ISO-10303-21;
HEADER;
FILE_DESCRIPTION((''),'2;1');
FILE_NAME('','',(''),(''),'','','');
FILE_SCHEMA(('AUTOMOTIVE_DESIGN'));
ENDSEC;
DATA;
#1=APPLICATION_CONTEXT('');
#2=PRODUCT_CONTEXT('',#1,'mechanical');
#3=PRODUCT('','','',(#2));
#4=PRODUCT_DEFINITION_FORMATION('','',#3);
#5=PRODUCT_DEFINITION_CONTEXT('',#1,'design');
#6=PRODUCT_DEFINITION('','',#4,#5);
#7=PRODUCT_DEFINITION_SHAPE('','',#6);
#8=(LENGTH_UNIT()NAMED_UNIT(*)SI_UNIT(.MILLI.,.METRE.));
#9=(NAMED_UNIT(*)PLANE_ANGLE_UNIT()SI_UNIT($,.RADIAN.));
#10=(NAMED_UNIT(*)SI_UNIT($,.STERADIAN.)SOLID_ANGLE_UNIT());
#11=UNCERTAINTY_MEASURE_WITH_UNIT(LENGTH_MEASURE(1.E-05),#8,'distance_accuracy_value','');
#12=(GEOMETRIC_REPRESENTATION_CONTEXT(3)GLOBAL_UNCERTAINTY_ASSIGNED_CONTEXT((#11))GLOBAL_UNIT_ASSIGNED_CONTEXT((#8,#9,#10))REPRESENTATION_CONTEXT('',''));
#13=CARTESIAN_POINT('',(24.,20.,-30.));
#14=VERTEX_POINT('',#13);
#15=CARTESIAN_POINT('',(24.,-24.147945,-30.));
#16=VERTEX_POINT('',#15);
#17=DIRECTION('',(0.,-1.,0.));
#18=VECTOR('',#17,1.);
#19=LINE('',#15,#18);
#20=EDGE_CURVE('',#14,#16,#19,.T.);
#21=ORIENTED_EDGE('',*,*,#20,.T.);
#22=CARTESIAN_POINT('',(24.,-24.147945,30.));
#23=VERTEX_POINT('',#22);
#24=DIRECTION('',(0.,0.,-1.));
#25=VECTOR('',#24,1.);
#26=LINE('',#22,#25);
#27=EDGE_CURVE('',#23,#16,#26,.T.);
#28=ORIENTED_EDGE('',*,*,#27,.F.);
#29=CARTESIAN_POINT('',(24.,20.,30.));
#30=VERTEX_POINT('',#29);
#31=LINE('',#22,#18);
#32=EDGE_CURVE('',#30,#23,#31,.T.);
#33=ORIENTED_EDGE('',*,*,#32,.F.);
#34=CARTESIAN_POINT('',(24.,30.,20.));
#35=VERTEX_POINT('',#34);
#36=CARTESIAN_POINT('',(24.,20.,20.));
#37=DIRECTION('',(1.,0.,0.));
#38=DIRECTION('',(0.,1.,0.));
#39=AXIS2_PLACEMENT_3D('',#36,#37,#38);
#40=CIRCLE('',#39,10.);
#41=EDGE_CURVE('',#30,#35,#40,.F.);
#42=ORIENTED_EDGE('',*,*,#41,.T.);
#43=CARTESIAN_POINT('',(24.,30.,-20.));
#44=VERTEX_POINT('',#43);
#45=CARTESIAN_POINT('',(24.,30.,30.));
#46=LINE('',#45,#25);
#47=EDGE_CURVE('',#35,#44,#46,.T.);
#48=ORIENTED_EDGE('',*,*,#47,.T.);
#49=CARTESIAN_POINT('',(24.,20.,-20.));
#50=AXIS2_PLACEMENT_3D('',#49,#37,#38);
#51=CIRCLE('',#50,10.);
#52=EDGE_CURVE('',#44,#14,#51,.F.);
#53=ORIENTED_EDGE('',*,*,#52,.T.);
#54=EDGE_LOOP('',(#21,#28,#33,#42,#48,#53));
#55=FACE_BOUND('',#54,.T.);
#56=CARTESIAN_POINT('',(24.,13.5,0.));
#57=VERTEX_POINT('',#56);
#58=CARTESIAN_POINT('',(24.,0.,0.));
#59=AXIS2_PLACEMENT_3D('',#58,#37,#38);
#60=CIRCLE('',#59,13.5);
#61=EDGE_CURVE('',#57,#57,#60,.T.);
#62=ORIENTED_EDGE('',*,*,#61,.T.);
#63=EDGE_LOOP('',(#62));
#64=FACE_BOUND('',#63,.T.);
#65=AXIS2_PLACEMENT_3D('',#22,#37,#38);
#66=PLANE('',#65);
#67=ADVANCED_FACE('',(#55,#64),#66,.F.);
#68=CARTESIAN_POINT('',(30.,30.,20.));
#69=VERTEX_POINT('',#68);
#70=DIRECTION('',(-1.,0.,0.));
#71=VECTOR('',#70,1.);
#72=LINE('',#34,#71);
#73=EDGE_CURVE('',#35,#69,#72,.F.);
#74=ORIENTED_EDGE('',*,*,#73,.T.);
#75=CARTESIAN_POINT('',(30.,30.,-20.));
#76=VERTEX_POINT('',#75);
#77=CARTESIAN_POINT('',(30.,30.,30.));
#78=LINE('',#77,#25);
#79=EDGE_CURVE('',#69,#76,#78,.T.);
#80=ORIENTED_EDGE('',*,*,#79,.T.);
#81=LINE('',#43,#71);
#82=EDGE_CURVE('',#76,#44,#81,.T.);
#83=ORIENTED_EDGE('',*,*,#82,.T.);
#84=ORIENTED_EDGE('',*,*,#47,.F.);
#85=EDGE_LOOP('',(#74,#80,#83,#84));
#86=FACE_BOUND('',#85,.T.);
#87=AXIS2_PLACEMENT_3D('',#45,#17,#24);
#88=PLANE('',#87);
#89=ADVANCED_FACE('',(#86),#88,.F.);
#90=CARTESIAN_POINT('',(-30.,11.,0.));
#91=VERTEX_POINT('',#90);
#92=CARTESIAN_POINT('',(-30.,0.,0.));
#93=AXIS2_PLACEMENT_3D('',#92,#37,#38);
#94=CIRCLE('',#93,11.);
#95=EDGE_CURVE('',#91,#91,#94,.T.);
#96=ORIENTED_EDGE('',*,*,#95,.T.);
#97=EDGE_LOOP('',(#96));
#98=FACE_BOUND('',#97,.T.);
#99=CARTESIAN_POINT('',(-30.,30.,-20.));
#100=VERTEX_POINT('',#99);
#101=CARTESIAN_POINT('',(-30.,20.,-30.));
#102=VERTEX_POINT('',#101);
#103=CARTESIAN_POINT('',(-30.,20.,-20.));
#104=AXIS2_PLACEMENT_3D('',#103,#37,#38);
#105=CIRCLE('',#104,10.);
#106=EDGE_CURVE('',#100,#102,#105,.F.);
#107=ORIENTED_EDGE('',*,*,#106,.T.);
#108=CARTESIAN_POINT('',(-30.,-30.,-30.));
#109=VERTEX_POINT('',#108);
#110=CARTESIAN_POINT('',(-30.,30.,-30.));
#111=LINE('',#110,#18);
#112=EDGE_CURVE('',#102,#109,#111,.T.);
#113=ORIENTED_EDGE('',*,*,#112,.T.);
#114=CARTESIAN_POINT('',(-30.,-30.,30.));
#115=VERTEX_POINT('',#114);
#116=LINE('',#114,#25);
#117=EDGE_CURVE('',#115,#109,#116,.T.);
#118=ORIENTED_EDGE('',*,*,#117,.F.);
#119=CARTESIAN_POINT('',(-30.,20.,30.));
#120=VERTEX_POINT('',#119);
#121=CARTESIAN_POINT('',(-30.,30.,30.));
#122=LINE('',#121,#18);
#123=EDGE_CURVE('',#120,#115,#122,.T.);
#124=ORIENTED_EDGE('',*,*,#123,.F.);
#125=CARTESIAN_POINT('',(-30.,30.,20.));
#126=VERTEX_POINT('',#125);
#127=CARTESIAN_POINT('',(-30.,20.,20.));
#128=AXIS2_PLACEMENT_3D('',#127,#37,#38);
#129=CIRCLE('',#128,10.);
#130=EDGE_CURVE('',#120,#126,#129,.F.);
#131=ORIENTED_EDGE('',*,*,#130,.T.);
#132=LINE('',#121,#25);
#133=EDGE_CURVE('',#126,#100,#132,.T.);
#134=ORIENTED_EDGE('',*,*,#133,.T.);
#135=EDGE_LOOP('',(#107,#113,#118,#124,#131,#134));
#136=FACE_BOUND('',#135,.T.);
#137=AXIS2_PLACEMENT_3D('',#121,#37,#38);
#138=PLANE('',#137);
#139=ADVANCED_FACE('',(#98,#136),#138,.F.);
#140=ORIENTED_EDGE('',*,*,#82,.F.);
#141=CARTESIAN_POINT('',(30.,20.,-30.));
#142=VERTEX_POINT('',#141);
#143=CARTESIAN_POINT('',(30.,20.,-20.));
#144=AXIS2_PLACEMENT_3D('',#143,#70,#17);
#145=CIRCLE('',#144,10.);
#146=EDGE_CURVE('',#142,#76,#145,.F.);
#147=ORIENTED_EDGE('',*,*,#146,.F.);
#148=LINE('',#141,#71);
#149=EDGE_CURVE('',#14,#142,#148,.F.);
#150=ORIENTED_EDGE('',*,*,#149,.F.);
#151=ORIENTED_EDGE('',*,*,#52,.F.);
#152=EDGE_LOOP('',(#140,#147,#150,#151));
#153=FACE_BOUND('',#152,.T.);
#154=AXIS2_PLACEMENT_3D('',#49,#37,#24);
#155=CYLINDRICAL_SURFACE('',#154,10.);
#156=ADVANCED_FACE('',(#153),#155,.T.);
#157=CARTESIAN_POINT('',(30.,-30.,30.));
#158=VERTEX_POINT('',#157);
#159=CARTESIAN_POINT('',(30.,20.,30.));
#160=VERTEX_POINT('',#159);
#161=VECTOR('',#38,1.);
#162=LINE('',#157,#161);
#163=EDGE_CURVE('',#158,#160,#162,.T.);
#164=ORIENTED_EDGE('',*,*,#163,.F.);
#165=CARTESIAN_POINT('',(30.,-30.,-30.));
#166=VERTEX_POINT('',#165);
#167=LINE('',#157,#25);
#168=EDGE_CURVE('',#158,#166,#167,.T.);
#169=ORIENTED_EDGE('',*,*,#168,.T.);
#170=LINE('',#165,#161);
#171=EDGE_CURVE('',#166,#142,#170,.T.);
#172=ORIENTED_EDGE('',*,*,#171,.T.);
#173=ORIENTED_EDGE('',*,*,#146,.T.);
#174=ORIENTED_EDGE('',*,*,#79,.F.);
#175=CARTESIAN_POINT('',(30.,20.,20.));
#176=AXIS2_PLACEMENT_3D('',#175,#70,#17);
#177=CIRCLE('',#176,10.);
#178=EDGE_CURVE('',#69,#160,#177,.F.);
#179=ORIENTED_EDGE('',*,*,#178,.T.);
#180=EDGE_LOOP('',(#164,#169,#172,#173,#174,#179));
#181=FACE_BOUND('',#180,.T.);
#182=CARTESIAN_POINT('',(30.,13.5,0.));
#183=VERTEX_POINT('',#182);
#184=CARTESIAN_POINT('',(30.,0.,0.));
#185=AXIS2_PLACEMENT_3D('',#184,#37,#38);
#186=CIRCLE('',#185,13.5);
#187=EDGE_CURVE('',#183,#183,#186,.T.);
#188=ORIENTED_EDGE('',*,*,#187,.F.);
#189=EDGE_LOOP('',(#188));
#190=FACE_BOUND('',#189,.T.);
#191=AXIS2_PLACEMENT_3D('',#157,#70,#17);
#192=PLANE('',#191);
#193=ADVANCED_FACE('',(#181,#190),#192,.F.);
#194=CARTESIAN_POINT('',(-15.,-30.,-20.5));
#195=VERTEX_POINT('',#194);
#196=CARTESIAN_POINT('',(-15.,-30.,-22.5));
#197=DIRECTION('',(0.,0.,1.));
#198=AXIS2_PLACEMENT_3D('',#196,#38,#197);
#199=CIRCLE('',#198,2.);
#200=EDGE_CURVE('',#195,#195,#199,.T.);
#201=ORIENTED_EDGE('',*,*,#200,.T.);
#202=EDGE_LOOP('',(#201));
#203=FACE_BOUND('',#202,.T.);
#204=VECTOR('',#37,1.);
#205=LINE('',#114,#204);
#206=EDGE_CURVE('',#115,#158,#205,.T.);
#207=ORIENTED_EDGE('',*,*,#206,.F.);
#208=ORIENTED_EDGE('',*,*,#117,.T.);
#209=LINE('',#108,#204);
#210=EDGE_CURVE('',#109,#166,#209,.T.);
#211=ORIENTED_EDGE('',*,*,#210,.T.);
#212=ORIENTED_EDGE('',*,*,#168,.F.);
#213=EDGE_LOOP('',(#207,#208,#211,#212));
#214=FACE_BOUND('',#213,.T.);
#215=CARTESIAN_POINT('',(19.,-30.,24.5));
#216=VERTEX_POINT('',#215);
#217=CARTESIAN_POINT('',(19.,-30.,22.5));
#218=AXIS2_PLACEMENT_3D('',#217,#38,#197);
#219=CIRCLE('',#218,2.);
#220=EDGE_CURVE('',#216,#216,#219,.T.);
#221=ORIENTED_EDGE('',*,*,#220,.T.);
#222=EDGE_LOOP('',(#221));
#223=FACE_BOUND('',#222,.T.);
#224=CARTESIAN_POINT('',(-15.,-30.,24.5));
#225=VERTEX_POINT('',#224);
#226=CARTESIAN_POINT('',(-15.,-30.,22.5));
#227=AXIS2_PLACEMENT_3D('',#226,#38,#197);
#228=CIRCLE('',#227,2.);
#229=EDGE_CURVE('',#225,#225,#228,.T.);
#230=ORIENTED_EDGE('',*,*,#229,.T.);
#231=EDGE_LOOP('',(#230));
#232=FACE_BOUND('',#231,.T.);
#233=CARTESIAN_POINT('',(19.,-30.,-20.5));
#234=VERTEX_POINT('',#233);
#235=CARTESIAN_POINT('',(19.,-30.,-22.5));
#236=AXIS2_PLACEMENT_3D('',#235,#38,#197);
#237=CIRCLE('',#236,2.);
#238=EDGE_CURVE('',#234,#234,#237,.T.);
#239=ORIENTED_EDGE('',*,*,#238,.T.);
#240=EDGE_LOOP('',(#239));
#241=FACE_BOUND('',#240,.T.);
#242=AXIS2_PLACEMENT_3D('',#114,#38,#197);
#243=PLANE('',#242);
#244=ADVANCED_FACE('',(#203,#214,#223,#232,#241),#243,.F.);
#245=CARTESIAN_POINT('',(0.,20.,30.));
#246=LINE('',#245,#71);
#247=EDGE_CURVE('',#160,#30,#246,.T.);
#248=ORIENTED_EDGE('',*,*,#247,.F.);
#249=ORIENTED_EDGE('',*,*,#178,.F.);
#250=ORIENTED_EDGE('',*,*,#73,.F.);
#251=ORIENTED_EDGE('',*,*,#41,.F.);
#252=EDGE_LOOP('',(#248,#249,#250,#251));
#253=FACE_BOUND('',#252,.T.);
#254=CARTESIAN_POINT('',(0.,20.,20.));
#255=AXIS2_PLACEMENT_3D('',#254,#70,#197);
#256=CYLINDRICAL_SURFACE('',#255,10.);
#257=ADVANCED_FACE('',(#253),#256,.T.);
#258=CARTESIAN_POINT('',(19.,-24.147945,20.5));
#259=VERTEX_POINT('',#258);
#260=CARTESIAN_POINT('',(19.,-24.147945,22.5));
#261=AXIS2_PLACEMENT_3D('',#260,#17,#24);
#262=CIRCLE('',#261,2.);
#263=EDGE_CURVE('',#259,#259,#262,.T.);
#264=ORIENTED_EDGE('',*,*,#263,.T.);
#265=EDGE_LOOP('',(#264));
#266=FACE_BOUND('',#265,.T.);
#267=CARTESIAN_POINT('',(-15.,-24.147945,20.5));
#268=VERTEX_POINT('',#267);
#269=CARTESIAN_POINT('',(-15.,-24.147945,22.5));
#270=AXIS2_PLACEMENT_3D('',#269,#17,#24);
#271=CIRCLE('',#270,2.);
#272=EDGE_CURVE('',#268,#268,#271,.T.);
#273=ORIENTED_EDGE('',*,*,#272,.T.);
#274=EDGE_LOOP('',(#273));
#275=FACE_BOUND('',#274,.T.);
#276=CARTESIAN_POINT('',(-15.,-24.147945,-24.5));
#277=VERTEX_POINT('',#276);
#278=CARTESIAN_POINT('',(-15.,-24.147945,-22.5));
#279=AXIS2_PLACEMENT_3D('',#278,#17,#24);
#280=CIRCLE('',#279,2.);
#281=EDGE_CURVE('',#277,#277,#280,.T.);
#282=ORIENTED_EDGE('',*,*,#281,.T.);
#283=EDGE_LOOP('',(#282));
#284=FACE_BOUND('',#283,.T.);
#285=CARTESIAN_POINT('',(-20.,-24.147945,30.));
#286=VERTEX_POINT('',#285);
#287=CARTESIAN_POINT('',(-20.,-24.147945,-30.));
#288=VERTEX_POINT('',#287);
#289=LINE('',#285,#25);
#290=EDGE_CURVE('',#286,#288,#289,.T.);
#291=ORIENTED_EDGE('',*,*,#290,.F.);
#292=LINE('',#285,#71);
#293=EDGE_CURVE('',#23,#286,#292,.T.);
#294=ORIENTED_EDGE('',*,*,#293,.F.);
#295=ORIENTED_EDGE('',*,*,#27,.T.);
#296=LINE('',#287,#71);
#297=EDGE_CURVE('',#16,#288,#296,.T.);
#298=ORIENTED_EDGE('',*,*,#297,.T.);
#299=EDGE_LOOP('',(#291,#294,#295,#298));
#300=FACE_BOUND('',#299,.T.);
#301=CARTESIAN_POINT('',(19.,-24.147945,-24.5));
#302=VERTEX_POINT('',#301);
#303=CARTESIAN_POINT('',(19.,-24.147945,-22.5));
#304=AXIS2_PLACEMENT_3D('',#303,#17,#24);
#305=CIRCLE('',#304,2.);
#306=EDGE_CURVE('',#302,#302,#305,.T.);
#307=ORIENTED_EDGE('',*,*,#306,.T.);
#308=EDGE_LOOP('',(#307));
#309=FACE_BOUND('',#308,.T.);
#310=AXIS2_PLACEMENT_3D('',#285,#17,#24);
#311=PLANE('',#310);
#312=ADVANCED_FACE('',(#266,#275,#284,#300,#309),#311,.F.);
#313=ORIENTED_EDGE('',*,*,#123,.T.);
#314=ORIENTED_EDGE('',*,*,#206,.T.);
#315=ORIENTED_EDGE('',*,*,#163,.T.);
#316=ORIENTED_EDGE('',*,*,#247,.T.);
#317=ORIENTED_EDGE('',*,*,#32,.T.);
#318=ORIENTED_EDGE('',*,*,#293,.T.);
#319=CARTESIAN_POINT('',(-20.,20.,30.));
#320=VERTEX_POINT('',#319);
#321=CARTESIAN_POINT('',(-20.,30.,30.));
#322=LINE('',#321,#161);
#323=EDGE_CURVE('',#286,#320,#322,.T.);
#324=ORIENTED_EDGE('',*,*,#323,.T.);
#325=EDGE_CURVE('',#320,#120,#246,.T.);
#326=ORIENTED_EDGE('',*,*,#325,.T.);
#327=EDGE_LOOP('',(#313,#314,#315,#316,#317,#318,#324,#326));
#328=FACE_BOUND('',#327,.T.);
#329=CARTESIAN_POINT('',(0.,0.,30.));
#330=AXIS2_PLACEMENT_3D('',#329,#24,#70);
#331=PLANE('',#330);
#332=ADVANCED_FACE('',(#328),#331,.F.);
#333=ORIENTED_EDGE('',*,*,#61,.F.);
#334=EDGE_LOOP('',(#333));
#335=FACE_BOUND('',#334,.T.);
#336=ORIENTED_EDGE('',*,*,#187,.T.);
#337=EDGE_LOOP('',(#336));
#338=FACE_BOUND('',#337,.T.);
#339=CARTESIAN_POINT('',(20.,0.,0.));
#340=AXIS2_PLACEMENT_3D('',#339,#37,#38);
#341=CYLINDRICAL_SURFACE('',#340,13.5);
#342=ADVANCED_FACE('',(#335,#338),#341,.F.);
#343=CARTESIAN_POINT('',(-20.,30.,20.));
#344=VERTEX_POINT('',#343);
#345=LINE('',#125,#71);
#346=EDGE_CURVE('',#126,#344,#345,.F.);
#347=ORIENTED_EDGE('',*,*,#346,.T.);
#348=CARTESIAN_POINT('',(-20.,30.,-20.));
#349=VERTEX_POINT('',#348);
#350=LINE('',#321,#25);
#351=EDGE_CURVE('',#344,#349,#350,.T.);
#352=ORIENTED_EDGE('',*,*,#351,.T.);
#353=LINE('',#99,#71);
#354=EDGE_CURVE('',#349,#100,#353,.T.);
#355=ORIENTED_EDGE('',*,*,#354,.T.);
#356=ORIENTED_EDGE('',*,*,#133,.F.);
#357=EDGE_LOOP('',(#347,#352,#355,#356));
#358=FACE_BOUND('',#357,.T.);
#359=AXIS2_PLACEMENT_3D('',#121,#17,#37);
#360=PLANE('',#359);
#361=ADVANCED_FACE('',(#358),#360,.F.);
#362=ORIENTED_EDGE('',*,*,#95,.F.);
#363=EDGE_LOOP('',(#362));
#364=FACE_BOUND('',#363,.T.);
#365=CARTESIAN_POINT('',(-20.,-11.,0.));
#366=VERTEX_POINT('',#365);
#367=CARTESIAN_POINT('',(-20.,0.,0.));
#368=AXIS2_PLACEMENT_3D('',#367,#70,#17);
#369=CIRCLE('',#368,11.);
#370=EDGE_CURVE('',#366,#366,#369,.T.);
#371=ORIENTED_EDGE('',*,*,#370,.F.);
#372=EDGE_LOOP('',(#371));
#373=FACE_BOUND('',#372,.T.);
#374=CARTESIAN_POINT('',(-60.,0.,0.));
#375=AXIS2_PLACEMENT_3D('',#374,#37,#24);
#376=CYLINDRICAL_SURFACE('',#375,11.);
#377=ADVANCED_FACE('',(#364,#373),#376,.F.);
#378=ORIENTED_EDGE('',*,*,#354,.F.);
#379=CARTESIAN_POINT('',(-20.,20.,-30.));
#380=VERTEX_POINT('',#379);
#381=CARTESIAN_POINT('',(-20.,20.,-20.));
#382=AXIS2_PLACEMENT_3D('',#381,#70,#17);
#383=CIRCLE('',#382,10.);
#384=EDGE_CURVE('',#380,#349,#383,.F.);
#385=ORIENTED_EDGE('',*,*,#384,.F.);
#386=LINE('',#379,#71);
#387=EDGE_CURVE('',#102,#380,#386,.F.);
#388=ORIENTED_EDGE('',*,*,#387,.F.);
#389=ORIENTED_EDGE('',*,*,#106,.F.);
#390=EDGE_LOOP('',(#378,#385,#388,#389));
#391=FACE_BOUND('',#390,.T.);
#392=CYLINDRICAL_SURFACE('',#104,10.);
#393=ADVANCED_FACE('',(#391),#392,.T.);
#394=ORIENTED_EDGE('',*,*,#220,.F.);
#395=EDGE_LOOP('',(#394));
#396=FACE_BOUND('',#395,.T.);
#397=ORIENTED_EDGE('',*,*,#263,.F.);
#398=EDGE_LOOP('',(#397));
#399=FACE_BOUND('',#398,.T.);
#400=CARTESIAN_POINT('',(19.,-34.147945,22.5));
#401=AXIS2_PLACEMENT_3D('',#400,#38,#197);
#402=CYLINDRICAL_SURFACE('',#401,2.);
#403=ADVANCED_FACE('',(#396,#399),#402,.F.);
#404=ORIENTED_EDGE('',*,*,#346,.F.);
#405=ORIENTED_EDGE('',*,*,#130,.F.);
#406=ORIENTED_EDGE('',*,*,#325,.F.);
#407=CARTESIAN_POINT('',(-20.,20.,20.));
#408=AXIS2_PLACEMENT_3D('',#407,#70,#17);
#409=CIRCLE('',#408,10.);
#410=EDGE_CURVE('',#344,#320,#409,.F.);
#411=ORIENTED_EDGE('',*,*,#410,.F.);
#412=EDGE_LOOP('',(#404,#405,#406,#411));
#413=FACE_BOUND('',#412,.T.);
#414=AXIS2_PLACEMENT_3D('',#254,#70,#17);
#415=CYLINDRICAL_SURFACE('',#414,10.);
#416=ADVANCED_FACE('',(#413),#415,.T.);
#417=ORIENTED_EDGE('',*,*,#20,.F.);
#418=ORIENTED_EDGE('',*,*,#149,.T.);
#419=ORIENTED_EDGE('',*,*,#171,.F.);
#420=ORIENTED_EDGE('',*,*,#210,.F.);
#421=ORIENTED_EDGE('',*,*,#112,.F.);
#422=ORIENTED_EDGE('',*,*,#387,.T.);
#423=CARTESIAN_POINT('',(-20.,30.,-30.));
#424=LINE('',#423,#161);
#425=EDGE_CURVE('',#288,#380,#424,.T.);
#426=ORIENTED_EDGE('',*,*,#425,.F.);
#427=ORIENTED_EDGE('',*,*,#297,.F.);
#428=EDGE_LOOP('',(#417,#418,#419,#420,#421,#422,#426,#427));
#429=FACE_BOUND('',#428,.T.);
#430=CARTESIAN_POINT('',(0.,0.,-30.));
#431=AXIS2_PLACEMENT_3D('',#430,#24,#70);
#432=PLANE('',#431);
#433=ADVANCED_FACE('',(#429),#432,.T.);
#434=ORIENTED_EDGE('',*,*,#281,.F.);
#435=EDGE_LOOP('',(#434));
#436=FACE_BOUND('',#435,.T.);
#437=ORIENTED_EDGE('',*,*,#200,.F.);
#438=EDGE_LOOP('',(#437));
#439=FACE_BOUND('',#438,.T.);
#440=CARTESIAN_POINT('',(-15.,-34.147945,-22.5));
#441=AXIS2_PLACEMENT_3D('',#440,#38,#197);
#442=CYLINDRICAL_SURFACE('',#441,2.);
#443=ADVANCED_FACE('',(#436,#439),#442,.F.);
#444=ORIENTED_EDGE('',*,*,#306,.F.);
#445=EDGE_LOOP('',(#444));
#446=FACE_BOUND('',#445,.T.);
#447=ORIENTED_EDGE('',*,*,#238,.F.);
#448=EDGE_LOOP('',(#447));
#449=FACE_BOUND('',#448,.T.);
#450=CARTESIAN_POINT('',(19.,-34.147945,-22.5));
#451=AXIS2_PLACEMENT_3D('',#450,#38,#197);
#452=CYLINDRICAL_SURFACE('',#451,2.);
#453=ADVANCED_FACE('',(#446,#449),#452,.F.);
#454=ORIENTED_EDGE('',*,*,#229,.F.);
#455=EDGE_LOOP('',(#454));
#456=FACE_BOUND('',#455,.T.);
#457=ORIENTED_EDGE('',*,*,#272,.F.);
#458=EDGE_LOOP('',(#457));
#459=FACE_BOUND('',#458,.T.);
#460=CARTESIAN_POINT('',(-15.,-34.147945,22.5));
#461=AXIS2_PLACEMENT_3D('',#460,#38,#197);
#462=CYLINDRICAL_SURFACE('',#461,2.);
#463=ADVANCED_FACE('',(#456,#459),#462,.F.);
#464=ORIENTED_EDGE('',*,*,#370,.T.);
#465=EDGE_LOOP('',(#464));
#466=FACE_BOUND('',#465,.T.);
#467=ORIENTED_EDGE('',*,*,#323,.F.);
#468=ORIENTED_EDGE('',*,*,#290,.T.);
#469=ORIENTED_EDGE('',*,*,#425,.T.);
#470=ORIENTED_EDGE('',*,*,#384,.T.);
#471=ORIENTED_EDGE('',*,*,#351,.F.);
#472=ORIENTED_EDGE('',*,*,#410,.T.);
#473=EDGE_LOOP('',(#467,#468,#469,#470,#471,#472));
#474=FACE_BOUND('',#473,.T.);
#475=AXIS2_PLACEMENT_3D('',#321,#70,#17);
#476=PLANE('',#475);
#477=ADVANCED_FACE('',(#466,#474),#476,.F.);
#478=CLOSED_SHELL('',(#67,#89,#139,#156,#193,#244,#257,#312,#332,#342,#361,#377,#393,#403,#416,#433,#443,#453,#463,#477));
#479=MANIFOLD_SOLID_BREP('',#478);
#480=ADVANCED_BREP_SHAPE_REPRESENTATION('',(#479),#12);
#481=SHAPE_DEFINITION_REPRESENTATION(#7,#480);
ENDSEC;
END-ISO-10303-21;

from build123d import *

# Parameters (mm, degrees)
BOSS_EXTRUDE1_DEPTH = 30
SKETCH2_R           = 11
CUT_EXTRUDE1_DEPTH  = 60
FILLET1_R           = 10
SKETCH3_R           = 2
CUT_EXTRUDE2_DEPTH  = 10
SKETCH13_R          = 13.5
CUT_EXTRUDE3_DEPTH  = 10


with BuildPart() as part:
    # Sketch1 → Boss-Extrude1 (new body, symmetric)
    with BuildSketch(Plane.XY):
        Polygon((-30, 30), (-30, -30), (30, -30), (30, 30), (24, 30), (24, -24.147945483), (-20, -24.147945483), (-20, 30), align=None)
    extrude(amount=BOSS_EXTRUDE1_DEPTH, both=True)

    # Sketch2 → Cut-Extrude1 (cut)
    with BuildSketch(Plane(origin=(0, 0, 0), x_dir=(0, 0, -1), z_dir=(1, 0, 0))):
        Circle(SKETCH2_R)
    extrude(amount=-CUT_EXTRUDE1_DEPTH, mode=Mode.SUBTRACT)

    # Fillet1
    fillet1_edges = [part.edges().sort_by_distance(p)[0] for p in [
        (-25, 30, -30),
        (27, 30, 30),
        (-25, 30, 30),
        (27, 30, -30),
    ]]
    fillet(fillet1_edges, radius=FILLET1_R)

    # Sketch3 → Cut-Extrude2 (cut, symmetric)
    with BuildSketch(Plane(origin=(0, -24.147945483, 0), x_dir=(1, 0, 0), z_dir=(0, 1, 0))):
        with Locations((-15, 22.5)):
            Circle(SKETCH3_R)
        with Locations((19, 22.5)):
            Circle(SKETCH3_R)
        with Locations((-15, -22.5)):
            Circle(SKETCH3_R)
        with Locations((19, -22.5)):
            Circle(SKETCH3_R)
    extrude(amount=CUT_EXTRUDE2_DEPTH, both=True, mode=Mode.SUBTRACT)

    # Sketch13 → Cut-Extrude3 (cut)
    with BuildSketch(Plane(origin=(30, 0, 0), x_dir=(0, 0, -1), z_dir=(1, 0, 0))):
        Circle(SKETCH13_R)
    extrude(amount=-CUT_EXTRUDE3_DEPTH, mode=Mode.SUBTRACT)


solid = part.part
